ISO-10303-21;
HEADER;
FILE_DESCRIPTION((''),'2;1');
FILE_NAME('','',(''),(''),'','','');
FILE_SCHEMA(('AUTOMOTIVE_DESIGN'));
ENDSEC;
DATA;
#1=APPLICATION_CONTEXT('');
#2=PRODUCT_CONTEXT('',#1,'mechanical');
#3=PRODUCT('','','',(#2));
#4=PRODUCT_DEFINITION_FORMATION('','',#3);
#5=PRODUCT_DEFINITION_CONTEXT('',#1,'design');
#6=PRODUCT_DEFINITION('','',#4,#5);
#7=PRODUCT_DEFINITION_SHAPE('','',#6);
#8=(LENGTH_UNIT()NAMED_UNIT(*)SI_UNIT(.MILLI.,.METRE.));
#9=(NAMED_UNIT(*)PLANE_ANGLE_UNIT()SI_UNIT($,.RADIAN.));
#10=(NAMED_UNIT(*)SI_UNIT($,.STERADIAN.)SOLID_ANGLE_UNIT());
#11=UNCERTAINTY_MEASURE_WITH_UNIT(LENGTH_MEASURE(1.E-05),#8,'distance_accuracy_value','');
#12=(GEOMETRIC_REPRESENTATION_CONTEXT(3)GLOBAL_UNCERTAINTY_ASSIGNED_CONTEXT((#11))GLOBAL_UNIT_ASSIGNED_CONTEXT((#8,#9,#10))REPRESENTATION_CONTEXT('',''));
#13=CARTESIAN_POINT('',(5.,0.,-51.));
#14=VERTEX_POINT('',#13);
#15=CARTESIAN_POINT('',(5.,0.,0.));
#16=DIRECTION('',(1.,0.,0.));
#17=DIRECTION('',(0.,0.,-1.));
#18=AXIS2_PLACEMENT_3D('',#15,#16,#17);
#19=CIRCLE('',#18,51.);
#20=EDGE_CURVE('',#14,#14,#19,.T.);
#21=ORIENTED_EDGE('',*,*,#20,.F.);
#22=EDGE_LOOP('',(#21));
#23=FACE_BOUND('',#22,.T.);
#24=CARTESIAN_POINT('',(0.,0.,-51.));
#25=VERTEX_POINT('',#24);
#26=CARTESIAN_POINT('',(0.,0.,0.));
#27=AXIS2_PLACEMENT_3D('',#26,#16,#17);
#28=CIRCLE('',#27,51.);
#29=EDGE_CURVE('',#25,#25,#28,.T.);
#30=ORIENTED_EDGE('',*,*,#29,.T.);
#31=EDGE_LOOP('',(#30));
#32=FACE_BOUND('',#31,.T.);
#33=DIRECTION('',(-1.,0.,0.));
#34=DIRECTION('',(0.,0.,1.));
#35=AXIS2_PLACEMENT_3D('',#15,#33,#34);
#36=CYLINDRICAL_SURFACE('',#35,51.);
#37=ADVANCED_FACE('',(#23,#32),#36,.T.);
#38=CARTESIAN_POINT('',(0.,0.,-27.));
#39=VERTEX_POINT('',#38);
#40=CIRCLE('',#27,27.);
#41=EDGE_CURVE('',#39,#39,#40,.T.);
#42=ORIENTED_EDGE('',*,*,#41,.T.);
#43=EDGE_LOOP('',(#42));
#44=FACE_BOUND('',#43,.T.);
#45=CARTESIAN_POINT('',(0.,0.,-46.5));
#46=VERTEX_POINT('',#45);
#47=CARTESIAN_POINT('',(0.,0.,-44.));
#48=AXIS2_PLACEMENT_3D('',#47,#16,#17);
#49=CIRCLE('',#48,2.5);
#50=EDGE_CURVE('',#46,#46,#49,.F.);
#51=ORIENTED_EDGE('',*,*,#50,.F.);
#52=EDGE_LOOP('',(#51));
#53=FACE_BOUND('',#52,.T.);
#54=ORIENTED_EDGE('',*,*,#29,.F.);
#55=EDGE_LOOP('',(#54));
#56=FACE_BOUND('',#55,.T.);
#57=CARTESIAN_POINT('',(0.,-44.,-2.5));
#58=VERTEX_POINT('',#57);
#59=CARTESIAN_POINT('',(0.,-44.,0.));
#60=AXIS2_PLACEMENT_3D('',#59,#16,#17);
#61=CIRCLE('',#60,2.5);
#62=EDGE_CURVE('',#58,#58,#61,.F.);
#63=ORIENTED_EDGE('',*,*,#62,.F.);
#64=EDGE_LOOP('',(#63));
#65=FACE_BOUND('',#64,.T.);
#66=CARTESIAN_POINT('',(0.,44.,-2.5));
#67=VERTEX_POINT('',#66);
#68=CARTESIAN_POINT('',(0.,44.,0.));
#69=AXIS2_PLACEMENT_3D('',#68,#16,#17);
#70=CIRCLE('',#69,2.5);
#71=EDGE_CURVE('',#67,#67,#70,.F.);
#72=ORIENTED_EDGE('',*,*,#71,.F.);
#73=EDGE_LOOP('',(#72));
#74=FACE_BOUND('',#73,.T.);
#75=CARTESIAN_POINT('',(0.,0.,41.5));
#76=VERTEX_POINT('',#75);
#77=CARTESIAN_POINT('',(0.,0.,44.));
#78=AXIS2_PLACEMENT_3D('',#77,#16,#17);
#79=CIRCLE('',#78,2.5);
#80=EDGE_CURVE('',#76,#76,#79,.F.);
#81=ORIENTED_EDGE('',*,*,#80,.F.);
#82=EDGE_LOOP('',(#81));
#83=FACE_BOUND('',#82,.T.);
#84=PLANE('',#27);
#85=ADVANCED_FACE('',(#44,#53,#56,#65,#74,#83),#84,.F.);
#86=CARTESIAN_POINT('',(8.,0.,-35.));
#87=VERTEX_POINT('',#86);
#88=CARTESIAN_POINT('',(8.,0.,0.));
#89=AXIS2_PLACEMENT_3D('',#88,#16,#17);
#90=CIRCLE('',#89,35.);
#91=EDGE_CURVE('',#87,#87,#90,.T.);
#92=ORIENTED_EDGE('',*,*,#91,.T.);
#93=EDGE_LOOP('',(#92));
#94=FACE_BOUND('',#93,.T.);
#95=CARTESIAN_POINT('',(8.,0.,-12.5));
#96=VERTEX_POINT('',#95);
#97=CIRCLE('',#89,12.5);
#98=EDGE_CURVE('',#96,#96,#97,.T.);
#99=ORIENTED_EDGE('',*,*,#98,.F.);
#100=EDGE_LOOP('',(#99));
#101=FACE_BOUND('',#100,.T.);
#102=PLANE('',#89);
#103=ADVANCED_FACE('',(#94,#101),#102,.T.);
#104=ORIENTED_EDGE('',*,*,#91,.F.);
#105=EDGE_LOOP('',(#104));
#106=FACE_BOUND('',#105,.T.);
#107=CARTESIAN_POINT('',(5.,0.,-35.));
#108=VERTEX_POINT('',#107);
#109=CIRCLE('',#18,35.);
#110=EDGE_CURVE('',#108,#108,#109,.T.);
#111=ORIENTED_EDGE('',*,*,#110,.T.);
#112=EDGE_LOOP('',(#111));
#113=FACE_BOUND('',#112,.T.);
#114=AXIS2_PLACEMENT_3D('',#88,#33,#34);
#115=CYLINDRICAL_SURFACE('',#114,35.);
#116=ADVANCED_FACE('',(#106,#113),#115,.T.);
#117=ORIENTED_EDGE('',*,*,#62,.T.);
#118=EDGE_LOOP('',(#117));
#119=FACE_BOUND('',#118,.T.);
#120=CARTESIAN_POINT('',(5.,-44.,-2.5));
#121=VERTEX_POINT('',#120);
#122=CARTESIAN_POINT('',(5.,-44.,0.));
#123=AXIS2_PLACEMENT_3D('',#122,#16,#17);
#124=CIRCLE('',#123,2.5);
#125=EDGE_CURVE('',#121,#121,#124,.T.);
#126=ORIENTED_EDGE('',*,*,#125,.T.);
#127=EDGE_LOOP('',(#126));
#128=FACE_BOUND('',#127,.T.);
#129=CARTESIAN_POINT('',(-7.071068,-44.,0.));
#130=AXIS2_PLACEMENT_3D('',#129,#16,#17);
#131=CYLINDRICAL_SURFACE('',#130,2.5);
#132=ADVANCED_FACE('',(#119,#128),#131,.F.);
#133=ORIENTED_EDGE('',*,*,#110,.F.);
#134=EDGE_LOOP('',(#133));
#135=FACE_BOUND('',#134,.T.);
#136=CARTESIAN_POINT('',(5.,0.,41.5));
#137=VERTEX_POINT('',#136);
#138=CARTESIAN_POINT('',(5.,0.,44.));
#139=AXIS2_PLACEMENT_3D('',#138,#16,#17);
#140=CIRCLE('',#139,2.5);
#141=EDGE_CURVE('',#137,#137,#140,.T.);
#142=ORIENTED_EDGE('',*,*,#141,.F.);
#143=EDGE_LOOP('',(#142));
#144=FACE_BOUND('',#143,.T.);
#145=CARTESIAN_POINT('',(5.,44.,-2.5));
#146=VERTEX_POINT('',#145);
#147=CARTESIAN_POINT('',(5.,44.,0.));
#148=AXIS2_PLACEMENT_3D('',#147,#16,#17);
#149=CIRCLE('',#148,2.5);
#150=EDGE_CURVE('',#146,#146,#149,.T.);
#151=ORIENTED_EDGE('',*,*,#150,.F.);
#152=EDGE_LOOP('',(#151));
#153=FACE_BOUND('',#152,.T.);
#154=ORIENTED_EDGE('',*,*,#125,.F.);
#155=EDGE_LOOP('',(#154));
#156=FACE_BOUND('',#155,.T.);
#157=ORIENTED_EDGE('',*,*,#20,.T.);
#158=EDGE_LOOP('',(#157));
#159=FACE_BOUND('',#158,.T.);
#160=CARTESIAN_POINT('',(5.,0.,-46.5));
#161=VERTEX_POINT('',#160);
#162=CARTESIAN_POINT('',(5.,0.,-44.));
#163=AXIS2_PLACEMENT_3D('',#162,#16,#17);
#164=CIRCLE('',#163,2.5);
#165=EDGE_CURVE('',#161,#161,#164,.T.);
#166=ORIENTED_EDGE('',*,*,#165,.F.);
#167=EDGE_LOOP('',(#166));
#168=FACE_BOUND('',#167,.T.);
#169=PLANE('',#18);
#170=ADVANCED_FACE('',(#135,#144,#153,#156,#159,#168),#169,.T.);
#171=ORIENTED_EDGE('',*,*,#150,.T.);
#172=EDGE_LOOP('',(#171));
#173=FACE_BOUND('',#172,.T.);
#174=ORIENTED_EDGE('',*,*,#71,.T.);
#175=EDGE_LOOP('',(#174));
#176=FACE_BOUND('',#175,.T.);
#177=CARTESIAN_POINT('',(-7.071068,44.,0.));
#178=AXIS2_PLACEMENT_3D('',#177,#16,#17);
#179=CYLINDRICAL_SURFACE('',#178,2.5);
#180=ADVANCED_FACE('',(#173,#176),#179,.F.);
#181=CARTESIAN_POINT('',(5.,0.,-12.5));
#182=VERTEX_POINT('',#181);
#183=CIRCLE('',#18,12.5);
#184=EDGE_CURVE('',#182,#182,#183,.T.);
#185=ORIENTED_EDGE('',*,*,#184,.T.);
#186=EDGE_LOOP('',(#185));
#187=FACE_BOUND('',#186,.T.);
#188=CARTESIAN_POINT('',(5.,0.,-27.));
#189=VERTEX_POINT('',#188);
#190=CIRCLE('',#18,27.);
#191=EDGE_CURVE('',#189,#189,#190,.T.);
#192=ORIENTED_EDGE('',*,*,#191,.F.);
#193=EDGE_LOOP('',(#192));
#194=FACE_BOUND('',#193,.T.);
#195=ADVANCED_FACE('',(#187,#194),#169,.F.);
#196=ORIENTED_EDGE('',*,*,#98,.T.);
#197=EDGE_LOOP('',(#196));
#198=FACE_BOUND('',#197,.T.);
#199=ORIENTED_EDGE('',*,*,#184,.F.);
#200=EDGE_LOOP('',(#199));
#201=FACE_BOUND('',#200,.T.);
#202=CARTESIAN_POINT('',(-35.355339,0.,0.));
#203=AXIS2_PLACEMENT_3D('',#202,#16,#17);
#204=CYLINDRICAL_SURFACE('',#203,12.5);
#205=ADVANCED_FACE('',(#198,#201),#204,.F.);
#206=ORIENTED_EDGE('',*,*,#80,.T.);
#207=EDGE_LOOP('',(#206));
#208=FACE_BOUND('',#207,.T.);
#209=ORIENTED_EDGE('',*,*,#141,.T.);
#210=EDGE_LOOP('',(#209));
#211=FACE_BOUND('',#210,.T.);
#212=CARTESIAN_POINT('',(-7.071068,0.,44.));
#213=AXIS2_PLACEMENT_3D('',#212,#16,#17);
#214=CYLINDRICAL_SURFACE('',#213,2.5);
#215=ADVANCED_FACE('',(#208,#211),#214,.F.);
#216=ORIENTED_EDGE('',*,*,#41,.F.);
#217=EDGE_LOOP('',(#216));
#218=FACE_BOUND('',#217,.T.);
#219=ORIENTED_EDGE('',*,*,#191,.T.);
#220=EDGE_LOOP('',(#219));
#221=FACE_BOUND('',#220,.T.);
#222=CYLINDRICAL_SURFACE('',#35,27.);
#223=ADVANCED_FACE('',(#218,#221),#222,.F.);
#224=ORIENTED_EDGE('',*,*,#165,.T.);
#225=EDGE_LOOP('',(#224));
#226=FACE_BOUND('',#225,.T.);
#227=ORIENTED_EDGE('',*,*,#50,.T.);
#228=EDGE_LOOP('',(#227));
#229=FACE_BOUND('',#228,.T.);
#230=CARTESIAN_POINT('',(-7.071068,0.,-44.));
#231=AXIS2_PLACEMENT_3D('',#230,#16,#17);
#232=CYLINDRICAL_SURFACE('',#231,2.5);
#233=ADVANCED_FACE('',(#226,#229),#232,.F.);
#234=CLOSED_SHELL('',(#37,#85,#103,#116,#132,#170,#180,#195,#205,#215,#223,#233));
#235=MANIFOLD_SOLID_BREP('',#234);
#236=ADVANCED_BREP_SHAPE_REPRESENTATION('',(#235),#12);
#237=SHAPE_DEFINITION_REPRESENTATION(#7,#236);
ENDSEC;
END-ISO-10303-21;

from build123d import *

# Parameters (mm, degrees)
SKETCH_1_R          = 51
SKETCH_1_R_2        = 27
EXTRUDE_1_DEPTH     = 5
SKETCH_2_R          = 35
EXTRUDE_2_DEPTH     = 3
SKETCH_3_R          = 2.5
CUT_EXTRUDE_1_DEPTH = 5
SKETCH_4_R          = 12.5
CUT_EXTRUDE_2_DEPTH = 8


with BuildPart() as part:
    # 草图1 → 凸台-拉伸1 (new body)
    with BuildSketch(Plane(origin=(0, 0, 0), x_dir=(0, 0, -1), z_dir=(1, 0, 0))):
        Circle(SKETCH_1_R)
        Circle(SKETCH_1_R_2, mode=Mode.SUBTRACT)
    extrude(amount=EXTRUDE_1_DEPTH)

    # 草图2 → 凸台-拉伸2 (add)
    with BuildSketch(Plane(origin=(5, 0, 0), x_dir=(0, 0, -1), z_dir=(1, 0, 0))):
        Circle(SKETCH_2_R)
    extrude(amount=EXTRUDE_2_DEPTH)

    # 草图3 → 切除-拉伸1 (cut)
    with BuildSketch(Plane(origin=(5, 0, 0), x_dir=(0, 0, -1), z_dir=(1, 0, 0))):
        with Locations((0, 44)):
            Circle(SKETCH_3_R)
        with Locations((44, 0)):
            Circle(SKETCH_3_R)
        with Locations((0, -44)):
            Circle(SKETCH_3_R)
        with Locations((-44, 0)):
            Circle(SKETCH_3_R)
    extrude(amount=-CUT_EXTRUDE_1_DEPTH, mode=Mode.SUBTRACT)

    # 草图4 → 切除-拉伸2 (cut)
    with BuildSketch(Plane(origin=(8, 0, 0), x_dir=(0, 0, -1), z_dir=(1, 0, 0))):
        Circle(SKETCH_4_R)
    extrude(amount=-CUT_EXTRUDE_2_DEPTH, mode=Mode.SUBTRACT)


solid = part.part
